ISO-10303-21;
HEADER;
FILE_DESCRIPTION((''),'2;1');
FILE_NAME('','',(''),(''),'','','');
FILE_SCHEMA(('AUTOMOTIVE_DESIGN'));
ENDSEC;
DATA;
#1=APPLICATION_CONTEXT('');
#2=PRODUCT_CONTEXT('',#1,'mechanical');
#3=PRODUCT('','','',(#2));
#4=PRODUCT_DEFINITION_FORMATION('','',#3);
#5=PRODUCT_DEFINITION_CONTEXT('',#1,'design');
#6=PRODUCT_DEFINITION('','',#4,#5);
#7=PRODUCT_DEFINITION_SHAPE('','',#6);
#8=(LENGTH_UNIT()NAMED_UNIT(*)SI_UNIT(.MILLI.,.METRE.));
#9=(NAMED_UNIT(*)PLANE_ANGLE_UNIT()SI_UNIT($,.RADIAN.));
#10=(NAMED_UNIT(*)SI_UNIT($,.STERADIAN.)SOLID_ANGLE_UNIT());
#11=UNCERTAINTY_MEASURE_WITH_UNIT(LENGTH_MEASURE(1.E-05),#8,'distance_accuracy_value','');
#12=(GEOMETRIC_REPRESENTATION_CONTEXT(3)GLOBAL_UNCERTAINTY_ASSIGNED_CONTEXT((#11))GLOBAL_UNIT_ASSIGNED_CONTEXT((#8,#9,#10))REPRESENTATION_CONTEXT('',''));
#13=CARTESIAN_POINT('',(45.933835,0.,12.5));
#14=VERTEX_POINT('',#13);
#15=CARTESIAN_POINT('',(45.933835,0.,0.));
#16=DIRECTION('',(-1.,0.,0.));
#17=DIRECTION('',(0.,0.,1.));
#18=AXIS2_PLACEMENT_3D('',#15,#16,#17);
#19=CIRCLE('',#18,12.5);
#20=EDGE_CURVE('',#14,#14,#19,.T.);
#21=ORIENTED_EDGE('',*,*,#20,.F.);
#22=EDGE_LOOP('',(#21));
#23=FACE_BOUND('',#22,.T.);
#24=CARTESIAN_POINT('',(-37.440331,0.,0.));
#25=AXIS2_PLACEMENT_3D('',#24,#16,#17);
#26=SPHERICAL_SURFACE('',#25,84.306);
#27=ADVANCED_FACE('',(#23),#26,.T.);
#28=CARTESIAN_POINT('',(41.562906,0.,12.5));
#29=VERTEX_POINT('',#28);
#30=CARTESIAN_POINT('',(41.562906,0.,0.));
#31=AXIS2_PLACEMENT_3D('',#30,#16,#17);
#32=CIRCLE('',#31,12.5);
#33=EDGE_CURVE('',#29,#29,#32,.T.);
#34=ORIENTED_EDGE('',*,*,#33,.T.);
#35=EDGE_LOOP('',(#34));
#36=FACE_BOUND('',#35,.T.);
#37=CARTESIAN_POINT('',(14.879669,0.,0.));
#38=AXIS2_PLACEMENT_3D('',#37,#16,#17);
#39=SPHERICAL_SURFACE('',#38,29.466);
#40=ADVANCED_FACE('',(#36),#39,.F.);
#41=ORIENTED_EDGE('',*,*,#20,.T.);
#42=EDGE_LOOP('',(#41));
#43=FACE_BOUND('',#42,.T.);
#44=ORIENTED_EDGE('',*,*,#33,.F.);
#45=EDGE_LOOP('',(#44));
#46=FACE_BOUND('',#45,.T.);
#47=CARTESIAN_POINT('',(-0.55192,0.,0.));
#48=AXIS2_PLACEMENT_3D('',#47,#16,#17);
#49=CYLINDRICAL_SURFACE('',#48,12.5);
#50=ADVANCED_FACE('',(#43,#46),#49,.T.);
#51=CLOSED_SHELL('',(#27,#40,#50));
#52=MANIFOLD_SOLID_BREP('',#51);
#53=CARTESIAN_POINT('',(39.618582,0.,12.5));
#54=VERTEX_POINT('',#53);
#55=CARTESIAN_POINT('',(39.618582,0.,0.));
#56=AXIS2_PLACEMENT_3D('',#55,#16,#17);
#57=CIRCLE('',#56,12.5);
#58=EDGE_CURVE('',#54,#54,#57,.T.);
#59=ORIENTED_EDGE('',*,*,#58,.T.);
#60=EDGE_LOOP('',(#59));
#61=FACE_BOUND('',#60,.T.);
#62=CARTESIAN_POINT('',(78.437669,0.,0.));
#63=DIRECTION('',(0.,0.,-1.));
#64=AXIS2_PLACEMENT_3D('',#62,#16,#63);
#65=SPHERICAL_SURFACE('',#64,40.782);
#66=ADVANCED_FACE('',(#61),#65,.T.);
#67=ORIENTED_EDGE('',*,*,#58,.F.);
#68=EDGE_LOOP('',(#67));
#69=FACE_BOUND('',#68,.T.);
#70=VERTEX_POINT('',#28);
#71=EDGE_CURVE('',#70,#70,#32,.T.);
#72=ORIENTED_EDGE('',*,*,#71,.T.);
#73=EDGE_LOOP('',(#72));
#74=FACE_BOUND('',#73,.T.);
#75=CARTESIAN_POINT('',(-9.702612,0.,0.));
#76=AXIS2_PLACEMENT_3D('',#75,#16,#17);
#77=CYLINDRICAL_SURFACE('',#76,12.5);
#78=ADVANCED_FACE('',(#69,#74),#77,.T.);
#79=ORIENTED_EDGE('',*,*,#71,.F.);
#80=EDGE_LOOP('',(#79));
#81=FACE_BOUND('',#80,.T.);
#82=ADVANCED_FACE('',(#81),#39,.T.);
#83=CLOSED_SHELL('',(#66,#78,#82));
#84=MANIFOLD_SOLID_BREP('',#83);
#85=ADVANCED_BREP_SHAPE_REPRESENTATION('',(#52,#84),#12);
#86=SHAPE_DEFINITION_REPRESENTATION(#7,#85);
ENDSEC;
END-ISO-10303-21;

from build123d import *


with BuildPart() as part:
    # 草图1 one side → 旋转1 (revolve)
    with BuildSketch(Plane(origin=(0, 0, 0), x_dir=(1, 0, 0), z_dir=(0, 1, 0)), mode=Mode.PRIVATE) as revolve_1_sk:
        with BuildLine():
            ThreePointArc((39.618581864, 12.5), (38.149385723, 6.326591243), (37.655668974, 0))
            Line((37.655668974, 0), (44.345668974, 0))
            ThreePointArc((44.345668974, 0), (43.641565886, 6.403002575), (41.562906333, 12.5))
            Line((41.562906333, 12.5), (39.618581864, 12.5))
        make_face()
    revolve(revolve_1_sk.sketch.rotate(Axis((-9.702612178, 0, 0), (1, 0, 0)), 180), axis=Axis((-9.702612178, 0, 0), (1, 0, 0)))  # turned: the seam where the file's is


with BuildPart() as body_2:
    # 草图2 one side → 旋转3 (revolve)
    with BuildSketch(Plane(origin=(0, 0, 0), x_dir=(1, 0, 0), z_dir=(0, 1, 0)), mode=Mode.PRIVATE) as revolve_3_sk:
        with BuildLine():
            Line((45.933835452, 12.5), (41.562906333, 12.5))
            ThreePointArc((41.562906333, 12.5), (43.641565886, 6.403002575), (44.345668974, 0))
            Line((44.345668974, 0), (46.865668974, 0))
            ThreePointArc((46.865668974, 0), (46.63238784, 6.267342214), (45.933835452, 12.5))
        make_face()
    revolve(revolve_3_sk.sketch.rotate(Axis((-0.551919993, 0, 0), (1, 0, 0)), 180), axis=Axis((-0.551919993, 0, 0), (1, 0, 0)))  # turned: the seam where the file's is


solid = Compound([part.part, body_2.part])
